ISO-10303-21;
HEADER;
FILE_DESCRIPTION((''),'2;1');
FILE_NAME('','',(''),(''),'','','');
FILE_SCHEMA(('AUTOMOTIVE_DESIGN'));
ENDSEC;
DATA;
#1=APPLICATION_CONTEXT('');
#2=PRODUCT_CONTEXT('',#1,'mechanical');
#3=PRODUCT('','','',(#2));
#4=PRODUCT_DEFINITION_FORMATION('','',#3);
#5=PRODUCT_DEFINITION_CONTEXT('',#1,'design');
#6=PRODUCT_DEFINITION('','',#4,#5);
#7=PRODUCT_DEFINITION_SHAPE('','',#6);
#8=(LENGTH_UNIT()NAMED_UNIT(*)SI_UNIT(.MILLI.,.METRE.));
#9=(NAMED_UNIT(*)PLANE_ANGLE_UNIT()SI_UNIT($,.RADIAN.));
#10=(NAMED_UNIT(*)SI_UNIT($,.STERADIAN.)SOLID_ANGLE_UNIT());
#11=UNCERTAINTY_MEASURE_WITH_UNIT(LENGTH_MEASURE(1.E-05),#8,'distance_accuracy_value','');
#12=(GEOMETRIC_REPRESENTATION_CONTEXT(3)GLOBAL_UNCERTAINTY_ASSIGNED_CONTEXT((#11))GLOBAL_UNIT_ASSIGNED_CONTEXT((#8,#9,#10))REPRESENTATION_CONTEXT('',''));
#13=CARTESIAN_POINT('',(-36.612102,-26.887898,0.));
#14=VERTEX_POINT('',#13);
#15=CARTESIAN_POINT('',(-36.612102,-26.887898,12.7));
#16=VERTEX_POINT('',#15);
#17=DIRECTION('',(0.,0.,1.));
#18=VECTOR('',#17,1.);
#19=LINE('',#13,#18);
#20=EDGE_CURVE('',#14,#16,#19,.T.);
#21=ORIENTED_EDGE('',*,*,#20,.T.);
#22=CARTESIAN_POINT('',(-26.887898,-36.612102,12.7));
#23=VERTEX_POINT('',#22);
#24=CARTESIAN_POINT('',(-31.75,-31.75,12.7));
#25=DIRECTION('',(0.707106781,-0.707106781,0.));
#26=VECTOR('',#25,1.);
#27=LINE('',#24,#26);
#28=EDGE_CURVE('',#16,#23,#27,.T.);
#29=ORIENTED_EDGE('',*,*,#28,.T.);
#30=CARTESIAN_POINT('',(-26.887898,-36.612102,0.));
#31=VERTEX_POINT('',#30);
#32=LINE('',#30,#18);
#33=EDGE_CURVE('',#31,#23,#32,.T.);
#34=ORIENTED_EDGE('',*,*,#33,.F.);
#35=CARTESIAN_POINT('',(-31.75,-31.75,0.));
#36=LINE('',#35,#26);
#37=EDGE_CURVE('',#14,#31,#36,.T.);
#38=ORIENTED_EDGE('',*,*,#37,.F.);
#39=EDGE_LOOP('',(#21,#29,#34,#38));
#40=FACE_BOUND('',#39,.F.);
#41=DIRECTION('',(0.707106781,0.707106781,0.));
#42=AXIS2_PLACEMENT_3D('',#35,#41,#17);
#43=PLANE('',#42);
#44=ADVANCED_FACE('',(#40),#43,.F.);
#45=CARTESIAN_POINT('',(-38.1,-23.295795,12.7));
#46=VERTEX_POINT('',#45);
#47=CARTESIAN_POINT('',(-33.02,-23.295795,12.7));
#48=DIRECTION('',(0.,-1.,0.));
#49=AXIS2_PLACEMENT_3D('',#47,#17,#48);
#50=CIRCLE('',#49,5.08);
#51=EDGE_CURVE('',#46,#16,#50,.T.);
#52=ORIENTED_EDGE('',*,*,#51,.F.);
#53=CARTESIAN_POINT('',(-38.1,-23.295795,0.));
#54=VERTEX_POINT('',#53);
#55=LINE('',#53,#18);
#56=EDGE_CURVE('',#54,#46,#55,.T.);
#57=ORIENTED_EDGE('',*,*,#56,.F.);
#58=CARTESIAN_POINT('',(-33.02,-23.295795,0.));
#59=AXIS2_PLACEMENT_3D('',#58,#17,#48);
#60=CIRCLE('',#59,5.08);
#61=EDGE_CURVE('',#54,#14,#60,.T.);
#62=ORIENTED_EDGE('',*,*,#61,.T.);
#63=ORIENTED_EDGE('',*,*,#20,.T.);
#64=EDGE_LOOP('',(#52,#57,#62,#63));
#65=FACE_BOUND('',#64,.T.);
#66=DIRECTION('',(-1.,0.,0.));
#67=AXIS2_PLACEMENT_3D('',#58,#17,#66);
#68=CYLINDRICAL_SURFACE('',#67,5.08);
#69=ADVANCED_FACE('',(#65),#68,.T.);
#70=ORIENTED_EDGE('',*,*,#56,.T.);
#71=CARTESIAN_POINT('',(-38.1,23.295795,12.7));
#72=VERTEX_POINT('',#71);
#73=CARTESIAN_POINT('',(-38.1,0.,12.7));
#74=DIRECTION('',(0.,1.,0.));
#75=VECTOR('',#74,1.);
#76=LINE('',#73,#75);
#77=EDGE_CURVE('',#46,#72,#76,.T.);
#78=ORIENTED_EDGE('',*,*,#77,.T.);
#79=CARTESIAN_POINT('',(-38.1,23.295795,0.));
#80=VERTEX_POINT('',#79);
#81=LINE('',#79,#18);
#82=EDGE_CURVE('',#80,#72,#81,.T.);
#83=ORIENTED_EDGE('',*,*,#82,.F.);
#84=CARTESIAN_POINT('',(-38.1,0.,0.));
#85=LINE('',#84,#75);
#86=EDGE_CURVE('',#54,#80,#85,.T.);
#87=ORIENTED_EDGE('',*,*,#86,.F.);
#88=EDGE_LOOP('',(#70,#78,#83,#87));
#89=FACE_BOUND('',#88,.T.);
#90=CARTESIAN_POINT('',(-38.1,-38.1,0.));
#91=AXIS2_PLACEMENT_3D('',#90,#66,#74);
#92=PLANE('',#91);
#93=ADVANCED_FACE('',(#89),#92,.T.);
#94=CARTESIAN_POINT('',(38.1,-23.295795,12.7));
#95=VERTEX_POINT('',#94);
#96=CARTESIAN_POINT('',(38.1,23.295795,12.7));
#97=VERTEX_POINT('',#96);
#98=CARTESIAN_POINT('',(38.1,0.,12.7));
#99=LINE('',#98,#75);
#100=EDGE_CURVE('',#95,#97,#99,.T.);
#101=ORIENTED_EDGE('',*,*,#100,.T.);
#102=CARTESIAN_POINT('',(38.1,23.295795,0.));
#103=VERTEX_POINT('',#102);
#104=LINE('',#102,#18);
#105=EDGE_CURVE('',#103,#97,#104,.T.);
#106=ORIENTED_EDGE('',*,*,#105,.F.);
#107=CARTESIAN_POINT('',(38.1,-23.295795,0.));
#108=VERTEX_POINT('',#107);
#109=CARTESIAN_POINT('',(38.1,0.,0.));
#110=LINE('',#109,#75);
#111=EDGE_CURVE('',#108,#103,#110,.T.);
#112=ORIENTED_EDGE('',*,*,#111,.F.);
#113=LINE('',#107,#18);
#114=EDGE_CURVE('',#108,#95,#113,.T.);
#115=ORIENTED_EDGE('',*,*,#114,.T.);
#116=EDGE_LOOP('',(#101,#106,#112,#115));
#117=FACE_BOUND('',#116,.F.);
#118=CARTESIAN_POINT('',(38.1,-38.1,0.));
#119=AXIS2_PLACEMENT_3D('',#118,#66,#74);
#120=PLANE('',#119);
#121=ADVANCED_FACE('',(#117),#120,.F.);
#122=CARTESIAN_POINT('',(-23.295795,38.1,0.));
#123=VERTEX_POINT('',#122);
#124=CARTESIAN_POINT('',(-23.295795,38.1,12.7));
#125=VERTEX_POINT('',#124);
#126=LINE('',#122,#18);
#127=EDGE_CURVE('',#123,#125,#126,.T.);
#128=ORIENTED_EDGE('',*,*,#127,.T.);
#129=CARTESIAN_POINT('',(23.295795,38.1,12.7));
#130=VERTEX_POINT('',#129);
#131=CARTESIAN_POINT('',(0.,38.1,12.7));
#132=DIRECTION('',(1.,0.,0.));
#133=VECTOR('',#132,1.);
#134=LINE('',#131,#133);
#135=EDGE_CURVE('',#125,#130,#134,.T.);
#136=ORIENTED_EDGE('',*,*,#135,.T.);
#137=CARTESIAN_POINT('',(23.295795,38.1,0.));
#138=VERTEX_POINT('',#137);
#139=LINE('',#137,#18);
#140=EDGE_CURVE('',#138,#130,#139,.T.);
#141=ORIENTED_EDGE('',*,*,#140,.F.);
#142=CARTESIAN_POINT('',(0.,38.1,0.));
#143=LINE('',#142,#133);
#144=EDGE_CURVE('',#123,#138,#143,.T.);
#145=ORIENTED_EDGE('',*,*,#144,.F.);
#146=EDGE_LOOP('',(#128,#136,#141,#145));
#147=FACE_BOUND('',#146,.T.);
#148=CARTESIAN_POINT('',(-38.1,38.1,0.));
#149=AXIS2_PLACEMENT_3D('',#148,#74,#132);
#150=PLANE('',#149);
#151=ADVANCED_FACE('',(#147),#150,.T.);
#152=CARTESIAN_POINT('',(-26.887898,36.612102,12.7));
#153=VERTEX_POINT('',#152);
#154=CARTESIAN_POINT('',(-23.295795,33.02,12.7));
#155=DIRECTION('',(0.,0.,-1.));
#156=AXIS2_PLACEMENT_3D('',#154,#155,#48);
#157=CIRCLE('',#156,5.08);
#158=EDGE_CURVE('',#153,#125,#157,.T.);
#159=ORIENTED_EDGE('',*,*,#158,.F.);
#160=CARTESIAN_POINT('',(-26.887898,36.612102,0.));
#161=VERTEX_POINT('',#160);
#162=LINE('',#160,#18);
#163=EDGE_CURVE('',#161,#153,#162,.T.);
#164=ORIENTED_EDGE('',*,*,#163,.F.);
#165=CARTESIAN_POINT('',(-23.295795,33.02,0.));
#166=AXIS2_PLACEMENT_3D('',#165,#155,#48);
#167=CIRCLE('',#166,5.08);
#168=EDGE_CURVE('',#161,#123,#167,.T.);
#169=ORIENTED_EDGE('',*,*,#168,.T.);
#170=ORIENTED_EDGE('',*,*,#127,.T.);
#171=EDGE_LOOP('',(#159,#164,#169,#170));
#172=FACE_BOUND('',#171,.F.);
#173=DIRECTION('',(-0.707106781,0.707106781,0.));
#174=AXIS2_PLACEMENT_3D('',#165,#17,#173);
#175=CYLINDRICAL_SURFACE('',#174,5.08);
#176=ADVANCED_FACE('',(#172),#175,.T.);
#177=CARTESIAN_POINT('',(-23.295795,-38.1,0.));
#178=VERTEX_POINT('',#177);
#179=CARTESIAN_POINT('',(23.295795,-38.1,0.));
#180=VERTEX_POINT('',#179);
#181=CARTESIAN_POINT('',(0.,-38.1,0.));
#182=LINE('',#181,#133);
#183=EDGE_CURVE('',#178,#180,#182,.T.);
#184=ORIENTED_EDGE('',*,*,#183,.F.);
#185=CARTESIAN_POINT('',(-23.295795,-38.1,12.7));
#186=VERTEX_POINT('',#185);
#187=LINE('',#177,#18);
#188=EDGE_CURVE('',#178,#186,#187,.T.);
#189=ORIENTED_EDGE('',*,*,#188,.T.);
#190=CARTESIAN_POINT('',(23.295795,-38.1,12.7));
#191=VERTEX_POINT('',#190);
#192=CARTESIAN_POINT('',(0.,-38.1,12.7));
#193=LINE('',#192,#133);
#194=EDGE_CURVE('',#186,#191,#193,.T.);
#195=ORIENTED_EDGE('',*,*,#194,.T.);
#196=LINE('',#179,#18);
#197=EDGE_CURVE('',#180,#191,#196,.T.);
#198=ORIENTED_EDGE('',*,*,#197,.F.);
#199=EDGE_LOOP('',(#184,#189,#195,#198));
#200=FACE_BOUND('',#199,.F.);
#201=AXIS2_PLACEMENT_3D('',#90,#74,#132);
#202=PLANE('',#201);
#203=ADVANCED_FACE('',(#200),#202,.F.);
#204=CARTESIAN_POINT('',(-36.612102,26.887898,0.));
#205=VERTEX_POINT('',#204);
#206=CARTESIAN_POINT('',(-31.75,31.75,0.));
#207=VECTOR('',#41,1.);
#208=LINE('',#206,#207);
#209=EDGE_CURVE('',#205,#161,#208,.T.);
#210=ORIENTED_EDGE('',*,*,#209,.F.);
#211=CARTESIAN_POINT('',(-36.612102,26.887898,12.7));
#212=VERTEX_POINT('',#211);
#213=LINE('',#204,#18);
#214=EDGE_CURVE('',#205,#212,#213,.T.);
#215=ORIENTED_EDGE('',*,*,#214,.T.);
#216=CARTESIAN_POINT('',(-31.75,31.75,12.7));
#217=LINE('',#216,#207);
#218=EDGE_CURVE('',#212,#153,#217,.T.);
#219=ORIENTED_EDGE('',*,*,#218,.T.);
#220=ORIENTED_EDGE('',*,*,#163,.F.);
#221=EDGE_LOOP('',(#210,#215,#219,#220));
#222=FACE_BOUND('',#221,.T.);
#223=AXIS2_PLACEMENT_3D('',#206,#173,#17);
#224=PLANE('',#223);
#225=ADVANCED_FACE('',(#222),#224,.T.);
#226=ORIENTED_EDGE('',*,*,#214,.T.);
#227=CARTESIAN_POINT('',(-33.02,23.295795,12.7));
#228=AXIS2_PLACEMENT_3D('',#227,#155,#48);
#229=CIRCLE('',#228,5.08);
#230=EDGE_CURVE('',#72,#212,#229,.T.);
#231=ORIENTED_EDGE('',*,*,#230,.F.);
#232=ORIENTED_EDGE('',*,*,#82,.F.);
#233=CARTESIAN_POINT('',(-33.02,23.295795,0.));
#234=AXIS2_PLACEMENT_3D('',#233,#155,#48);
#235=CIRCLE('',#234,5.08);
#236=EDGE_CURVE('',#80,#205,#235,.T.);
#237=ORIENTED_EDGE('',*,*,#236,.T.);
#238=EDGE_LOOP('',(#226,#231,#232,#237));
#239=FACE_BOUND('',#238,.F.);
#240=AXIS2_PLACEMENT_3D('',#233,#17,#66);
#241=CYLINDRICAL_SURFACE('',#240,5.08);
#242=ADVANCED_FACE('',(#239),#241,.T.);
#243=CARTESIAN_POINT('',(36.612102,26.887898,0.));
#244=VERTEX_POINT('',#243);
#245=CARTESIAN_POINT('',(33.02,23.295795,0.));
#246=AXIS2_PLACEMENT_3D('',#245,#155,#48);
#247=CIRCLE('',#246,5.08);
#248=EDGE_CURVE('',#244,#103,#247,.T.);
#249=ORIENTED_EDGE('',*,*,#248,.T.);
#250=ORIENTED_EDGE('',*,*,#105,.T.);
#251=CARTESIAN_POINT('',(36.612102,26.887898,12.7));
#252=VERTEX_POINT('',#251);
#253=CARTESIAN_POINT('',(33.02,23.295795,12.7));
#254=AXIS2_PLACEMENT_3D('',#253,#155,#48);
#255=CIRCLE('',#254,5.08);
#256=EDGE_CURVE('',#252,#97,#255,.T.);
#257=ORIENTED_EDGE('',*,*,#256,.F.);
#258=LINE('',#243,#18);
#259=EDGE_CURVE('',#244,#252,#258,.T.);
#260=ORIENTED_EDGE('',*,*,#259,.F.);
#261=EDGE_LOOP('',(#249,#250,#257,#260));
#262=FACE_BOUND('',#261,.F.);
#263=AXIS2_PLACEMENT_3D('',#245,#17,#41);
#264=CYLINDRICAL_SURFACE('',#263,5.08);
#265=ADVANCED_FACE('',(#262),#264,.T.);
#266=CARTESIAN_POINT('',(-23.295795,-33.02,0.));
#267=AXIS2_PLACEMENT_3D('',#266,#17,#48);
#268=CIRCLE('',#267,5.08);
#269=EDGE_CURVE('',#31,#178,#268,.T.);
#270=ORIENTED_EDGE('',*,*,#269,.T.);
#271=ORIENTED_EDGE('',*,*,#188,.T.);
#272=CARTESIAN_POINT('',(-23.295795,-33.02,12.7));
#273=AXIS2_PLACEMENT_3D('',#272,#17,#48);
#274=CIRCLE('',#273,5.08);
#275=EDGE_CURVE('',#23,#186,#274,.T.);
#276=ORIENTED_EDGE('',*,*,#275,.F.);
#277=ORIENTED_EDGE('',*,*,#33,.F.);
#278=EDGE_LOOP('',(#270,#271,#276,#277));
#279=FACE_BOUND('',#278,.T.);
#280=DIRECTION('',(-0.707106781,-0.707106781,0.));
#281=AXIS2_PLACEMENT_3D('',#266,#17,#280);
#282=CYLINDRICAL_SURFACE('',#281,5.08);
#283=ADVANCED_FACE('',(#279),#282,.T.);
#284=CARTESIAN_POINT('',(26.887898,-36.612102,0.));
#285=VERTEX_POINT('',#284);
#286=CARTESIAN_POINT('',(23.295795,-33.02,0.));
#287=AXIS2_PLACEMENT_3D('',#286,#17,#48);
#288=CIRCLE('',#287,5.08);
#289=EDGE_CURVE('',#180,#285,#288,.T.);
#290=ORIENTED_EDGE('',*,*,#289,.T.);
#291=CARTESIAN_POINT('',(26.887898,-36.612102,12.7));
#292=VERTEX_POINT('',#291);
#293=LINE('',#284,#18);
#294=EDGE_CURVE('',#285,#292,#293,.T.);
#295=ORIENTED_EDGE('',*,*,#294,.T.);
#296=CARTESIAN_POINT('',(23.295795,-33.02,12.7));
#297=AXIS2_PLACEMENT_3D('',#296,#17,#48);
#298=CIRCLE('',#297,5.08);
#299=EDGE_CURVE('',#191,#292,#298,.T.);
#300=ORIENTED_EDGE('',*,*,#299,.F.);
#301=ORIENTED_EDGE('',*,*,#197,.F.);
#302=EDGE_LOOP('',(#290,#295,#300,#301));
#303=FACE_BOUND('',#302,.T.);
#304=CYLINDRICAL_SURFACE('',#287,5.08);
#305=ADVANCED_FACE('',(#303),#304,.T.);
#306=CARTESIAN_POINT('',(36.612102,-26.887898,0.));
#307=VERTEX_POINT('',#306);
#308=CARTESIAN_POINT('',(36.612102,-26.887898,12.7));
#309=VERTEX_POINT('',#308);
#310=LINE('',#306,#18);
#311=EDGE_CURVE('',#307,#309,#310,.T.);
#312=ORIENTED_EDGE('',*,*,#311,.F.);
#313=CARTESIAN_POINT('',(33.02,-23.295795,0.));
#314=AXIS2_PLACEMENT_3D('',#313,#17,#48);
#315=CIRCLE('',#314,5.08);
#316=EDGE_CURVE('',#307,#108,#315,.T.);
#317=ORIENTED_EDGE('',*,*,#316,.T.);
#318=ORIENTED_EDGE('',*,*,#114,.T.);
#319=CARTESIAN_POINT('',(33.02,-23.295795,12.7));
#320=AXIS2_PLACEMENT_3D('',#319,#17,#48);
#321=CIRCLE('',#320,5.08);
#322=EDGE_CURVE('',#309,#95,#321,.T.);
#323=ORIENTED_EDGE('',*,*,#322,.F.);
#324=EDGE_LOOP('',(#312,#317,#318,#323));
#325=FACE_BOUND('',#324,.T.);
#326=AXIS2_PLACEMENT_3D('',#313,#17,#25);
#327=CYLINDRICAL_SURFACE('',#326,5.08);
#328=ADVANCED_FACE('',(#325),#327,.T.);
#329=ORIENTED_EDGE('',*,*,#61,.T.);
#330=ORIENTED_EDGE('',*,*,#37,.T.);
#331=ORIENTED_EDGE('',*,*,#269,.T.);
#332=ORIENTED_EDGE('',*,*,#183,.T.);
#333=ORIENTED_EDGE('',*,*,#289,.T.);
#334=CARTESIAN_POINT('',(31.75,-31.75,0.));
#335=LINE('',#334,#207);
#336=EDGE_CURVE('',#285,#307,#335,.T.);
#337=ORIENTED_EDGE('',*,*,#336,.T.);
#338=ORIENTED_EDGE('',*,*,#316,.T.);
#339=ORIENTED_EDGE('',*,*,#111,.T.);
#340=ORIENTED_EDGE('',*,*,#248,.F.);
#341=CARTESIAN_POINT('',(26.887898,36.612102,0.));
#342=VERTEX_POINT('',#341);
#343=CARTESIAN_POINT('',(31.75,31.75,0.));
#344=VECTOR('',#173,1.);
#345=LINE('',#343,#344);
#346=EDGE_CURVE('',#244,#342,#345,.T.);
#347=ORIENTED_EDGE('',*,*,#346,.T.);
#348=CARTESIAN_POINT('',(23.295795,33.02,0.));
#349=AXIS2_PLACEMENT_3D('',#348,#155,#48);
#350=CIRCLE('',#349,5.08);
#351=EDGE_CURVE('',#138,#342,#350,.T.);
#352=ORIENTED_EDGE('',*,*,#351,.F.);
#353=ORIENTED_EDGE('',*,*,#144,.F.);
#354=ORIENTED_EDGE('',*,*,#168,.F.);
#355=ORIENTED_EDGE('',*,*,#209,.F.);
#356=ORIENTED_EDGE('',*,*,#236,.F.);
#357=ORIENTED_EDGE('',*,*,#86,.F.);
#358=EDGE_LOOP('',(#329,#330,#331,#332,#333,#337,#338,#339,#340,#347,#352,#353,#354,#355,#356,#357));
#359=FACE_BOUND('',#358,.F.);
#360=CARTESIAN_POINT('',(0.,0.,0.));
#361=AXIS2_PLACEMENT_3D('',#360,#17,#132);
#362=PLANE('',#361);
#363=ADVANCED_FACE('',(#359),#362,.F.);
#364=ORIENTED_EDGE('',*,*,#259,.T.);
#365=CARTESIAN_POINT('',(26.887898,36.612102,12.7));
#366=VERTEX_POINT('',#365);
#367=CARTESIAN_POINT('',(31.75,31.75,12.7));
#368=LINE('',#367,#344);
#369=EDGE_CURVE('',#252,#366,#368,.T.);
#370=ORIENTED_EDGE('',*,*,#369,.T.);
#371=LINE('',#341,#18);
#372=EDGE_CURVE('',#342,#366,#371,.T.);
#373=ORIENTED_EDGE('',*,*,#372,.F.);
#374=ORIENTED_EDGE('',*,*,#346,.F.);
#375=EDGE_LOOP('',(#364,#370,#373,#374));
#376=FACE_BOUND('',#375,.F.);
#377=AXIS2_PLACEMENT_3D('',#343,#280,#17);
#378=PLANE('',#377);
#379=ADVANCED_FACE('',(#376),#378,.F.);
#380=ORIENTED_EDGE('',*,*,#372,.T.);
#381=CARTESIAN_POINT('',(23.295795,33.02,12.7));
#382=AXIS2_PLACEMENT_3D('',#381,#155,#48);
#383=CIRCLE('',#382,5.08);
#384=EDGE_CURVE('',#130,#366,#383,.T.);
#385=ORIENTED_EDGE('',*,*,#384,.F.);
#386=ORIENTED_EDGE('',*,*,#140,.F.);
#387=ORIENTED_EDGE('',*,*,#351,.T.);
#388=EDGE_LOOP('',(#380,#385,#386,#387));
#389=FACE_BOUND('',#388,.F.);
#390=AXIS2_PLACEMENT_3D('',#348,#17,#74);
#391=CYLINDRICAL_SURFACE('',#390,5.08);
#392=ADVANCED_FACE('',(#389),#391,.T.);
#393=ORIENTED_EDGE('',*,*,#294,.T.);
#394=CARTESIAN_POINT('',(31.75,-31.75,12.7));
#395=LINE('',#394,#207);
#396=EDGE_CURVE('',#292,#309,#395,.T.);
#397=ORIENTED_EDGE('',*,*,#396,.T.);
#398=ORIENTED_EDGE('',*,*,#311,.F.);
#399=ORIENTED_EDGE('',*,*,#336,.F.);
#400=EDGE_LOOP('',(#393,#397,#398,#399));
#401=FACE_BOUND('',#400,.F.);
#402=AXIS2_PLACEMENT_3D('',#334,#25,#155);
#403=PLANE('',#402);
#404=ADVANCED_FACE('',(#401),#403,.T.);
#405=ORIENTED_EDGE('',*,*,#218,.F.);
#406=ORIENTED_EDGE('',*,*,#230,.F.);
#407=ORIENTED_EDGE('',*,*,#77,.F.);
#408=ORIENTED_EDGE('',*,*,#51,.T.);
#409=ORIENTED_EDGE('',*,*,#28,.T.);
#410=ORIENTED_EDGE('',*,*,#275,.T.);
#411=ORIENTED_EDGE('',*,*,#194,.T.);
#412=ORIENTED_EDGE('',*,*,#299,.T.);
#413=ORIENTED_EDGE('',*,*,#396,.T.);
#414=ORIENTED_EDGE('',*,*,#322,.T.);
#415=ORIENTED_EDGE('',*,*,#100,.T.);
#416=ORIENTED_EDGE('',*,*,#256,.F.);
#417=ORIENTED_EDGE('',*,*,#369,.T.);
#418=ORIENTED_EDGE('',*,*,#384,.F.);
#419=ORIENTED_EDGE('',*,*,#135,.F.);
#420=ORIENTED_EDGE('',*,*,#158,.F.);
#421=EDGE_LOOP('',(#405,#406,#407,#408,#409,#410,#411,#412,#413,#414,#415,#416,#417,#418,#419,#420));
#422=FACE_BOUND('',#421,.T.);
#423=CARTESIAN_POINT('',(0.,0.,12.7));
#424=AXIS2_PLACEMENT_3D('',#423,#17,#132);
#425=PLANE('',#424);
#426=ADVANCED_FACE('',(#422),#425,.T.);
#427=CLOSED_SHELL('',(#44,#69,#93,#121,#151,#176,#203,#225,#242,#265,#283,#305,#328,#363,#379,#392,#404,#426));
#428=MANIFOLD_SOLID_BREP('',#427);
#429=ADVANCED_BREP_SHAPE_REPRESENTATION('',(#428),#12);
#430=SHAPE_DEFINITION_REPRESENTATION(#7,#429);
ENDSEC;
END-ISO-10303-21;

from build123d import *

# Parameters (mm, degrees)
F0_W     = 76.2
F0_H     = 76.2
F1_DEPTH = 12.7
F2_SIZE  = 12.7
F3_R     = 5.08


with BuildPart() as f1:
    # F0 (on Top) → F1 (new body)
    with BuildSketch(Plane.XY):
        Rectangle(F0_W, F0_H)
    extrude(amount=F1_DEPTH)

    # F2
    f2_edges = [f1.edges().sort_by_distance(p)[0] for p in [
        (-38.1, -38.1, 6.35),
        (38.1, -38.1, 6.35),
        (-38.1, 38.1, 6.35),
        (38.1, 38.1, 6.35),
    ]]
    chamfer(f2_edges, length=F2_SIZE)

    # F3
    f3_edges = [f1.edges().sort_by_distance(p)[0] for p in [
        (25.4, -38.1, 6.35),
        (38.1, -25.4, 6.35),
        (38.1, 25.4, 6.35),
        (25.4, 38.1, 6.35),
        (-25.4, 38.1, 6.35),
        (-38.1, 25.4, 6.35),
        (-38.1, -25.4, 6.35),
        (-25.4, -38.1, 6.35),
    ]]
    fillet(f3_edges, radius=F3_R)


solid = f1.part
